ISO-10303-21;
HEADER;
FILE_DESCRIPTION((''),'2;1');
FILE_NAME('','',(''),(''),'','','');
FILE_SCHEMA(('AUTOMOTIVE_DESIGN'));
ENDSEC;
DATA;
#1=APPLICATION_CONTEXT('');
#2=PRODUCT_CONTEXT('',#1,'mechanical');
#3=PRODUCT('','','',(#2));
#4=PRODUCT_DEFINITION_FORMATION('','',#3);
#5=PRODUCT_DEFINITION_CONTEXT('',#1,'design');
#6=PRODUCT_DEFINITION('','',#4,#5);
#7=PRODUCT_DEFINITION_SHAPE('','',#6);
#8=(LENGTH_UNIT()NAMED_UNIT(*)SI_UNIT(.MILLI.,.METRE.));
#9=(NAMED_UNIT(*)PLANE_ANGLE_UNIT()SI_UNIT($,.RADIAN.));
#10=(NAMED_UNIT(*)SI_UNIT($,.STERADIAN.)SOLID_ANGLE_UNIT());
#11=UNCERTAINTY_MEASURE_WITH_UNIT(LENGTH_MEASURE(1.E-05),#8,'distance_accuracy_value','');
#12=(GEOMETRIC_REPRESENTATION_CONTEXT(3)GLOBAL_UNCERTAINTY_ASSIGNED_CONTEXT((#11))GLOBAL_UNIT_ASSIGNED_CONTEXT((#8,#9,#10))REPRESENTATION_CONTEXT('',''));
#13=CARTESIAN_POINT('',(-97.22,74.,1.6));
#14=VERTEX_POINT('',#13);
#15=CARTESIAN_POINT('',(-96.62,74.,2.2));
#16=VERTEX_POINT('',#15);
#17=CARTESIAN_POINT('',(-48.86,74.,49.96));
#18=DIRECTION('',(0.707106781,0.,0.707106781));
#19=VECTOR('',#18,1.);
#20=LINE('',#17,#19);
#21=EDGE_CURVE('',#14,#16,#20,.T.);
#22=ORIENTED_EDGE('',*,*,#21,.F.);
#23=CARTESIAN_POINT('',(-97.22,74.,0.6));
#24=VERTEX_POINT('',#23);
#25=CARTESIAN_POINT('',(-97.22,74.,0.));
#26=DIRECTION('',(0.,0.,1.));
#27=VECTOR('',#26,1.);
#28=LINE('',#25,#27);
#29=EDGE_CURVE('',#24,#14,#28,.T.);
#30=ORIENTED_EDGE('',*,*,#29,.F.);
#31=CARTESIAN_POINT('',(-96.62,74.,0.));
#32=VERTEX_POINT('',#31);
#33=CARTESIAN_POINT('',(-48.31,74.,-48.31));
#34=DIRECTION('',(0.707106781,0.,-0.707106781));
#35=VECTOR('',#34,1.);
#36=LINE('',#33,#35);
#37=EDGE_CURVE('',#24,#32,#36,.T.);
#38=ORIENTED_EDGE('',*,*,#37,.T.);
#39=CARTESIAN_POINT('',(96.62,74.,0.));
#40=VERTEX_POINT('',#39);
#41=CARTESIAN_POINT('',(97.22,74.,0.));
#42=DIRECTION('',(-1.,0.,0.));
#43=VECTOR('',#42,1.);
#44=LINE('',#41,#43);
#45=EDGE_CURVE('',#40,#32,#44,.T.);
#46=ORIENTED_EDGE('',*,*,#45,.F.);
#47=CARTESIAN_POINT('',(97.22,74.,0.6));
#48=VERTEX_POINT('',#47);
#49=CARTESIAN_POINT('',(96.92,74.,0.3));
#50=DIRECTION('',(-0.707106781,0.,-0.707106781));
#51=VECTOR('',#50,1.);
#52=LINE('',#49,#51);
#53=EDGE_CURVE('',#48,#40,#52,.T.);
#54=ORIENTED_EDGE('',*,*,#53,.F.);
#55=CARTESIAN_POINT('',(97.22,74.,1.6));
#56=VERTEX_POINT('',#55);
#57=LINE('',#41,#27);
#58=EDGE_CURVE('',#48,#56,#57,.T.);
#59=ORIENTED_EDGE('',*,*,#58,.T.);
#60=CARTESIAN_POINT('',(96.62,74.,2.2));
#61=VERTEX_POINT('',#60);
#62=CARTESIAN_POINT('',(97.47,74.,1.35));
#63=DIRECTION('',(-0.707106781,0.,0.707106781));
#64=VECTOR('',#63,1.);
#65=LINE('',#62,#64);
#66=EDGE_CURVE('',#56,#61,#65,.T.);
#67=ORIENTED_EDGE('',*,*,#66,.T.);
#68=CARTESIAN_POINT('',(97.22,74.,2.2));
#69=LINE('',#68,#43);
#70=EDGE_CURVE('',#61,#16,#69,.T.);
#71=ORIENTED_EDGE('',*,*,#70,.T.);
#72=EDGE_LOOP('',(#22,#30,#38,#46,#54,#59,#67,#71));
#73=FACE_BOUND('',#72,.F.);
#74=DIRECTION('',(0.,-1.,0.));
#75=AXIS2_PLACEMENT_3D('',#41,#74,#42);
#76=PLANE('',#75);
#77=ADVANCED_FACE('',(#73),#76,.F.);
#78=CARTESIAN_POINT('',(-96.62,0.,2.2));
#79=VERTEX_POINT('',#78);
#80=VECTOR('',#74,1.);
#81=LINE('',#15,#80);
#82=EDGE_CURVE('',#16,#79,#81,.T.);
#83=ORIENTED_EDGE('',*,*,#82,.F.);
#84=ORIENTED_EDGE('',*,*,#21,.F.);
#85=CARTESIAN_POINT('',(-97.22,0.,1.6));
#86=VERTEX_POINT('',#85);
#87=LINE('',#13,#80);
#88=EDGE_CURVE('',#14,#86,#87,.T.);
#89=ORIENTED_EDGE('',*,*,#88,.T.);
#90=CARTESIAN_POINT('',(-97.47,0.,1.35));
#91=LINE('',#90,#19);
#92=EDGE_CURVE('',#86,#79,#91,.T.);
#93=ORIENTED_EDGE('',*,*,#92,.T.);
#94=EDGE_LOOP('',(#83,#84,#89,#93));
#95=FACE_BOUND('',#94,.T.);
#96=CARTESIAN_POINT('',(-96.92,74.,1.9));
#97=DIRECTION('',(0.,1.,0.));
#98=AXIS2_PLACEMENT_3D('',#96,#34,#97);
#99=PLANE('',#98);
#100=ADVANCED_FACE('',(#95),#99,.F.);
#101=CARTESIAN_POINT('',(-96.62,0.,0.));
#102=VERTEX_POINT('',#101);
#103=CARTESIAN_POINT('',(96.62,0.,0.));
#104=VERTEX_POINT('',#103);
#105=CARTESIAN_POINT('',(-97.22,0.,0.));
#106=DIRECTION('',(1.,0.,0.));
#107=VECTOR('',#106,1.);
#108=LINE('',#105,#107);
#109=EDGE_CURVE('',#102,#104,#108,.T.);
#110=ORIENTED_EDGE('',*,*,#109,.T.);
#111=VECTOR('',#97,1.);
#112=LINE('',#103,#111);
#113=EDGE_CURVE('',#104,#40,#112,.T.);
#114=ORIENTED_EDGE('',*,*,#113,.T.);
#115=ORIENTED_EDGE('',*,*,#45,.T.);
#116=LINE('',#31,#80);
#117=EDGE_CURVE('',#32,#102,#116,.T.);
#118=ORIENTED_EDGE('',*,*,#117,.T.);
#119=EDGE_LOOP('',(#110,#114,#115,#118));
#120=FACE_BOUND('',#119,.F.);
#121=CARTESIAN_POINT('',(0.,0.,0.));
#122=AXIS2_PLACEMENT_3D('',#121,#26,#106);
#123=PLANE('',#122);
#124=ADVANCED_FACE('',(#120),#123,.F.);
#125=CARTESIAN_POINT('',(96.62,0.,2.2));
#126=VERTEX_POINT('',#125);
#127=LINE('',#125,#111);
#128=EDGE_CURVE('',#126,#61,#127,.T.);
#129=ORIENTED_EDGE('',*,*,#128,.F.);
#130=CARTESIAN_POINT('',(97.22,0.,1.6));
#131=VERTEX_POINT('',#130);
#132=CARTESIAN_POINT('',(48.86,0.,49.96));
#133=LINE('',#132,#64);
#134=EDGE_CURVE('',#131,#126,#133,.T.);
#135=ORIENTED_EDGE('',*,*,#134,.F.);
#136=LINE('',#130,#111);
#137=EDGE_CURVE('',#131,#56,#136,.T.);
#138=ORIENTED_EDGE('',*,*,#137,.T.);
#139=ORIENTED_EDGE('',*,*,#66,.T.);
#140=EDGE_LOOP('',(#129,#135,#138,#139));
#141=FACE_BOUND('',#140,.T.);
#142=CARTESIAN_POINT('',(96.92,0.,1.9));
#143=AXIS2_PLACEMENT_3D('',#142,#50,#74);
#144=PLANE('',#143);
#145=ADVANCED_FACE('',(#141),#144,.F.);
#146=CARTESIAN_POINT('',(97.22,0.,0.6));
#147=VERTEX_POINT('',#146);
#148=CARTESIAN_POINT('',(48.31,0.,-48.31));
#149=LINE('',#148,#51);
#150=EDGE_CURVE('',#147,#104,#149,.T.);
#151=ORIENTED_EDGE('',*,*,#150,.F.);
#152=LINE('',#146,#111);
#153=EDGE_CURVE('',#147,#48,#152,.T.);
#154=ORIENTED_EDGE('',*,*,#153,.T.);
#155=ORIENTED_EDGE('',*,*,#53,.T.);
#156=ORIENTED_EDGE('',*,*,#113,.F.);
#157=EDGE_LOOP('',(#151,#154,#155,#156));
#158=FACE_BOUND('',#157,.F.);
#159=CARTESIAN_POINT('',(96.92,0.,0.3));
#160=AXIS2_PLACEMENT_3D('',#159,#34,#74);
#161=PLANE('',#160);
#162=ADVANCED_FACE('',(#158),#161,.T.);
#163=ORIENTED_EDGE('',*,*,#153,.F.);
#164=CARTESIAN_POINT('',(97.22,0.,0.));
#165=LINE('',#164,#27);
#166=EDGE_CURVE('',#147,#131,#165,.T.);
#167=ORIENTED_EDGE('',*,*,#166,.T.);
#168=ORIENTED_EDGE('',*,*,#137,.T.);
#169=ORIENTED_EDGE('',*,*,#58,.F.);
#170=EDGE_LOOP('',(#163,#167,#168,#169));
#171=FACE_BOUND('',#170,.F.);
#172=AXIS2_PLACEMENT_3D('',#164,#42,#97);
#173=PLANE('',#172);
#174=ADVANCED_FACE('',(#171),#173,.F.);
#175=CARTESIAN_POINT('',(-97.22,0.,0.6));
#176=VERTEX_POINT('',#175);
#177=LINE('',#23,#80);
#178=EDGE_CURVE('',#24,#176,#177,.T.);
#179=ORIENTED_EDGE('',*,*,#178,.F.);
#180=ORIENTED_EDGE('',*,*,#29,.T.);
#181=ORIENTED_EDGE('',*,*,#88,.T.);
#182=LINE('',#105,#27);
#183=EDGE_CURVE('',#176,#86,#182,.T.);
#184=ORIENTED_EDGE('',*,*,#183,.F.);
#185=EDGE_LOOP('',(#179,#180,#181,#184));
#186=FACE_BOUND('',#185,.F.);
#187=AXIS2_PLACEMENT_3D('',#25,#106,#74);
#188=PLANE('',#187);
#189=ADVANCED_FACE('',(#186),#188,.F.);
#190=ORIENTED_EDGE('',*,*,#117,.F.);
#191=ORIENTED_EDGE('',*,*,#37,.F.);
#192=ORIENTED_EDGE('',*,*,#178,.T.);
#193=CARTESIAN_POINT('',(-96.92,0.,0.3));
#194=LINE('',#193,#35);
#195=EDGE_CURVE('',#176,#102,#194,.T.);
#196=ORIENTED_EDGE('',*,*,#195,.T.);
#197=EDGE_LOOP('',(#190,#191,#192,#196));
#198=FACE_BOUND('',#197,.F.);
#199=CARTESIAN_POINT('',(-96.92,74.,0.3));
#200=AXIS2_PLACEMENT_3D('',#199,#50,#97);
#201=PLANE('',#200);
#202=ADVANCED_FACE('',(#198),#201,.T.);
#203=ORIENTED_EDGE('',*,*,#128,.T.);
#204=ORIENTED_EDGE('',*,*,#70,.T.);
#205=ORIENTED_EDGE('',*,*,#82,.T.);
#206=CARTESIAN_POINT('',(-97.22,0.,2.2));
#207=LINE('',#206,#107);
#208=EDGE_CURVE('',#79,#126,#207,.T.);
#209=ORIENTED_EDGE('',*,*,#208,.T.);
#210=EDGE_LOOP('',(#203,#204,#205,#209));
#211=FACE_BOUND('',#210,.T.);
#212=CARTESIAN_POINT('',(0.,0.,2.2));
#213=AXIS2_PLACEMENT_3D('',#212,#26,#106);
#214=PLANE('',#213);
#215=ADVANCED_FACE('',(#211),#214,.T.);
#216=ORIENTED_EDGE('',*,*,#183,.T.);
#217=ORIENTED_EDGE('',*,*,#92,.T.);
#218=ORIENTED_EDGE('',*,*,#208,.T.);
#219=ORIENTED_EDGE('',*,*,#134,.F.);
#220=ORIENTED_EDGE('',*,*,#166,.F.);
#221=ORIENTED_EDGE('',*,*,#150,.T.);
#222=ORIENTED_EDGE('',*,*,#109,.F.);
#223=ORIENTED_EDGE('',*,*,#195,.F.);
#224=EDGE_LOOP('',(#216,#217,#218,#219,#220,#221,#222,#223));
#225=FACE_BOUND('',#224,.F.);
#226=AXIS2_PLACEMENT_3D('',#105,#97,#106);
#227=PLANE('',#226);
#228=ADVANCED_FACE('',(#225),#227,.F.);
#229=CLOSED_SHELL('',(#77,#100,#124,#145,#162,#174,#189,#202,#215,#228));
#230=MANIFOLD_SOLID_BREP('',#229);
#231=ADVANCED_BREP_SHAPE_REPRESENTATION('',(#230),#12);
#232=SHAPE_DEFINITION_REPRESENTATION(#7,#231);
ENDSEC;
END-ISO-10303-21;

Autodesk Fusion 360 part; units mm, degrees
sketch "Panel outline" plane through (0, 0, 0) normal (0, 0, 1) x (1, 0, 0)
  line L0 (-97.22, 0) -> (97.22, 0)
  line L1 (97.22, 0) -> (97.22, 74)
  line L2 (97.22, 74) -> (-97.22, 74)
  line L3 (-97.22, 74) -> (-97.22, 0)
extrude "Panel" add sketch "Panel outline" along normal blind 2.2
chamfer "Groove lead-in" distance 0.6 angle 45 4 edges at (97.22, 37, 0) (97.22, 37, 2.2) (-97.22, 37, 0) (-97.22, 37, 2.2)
